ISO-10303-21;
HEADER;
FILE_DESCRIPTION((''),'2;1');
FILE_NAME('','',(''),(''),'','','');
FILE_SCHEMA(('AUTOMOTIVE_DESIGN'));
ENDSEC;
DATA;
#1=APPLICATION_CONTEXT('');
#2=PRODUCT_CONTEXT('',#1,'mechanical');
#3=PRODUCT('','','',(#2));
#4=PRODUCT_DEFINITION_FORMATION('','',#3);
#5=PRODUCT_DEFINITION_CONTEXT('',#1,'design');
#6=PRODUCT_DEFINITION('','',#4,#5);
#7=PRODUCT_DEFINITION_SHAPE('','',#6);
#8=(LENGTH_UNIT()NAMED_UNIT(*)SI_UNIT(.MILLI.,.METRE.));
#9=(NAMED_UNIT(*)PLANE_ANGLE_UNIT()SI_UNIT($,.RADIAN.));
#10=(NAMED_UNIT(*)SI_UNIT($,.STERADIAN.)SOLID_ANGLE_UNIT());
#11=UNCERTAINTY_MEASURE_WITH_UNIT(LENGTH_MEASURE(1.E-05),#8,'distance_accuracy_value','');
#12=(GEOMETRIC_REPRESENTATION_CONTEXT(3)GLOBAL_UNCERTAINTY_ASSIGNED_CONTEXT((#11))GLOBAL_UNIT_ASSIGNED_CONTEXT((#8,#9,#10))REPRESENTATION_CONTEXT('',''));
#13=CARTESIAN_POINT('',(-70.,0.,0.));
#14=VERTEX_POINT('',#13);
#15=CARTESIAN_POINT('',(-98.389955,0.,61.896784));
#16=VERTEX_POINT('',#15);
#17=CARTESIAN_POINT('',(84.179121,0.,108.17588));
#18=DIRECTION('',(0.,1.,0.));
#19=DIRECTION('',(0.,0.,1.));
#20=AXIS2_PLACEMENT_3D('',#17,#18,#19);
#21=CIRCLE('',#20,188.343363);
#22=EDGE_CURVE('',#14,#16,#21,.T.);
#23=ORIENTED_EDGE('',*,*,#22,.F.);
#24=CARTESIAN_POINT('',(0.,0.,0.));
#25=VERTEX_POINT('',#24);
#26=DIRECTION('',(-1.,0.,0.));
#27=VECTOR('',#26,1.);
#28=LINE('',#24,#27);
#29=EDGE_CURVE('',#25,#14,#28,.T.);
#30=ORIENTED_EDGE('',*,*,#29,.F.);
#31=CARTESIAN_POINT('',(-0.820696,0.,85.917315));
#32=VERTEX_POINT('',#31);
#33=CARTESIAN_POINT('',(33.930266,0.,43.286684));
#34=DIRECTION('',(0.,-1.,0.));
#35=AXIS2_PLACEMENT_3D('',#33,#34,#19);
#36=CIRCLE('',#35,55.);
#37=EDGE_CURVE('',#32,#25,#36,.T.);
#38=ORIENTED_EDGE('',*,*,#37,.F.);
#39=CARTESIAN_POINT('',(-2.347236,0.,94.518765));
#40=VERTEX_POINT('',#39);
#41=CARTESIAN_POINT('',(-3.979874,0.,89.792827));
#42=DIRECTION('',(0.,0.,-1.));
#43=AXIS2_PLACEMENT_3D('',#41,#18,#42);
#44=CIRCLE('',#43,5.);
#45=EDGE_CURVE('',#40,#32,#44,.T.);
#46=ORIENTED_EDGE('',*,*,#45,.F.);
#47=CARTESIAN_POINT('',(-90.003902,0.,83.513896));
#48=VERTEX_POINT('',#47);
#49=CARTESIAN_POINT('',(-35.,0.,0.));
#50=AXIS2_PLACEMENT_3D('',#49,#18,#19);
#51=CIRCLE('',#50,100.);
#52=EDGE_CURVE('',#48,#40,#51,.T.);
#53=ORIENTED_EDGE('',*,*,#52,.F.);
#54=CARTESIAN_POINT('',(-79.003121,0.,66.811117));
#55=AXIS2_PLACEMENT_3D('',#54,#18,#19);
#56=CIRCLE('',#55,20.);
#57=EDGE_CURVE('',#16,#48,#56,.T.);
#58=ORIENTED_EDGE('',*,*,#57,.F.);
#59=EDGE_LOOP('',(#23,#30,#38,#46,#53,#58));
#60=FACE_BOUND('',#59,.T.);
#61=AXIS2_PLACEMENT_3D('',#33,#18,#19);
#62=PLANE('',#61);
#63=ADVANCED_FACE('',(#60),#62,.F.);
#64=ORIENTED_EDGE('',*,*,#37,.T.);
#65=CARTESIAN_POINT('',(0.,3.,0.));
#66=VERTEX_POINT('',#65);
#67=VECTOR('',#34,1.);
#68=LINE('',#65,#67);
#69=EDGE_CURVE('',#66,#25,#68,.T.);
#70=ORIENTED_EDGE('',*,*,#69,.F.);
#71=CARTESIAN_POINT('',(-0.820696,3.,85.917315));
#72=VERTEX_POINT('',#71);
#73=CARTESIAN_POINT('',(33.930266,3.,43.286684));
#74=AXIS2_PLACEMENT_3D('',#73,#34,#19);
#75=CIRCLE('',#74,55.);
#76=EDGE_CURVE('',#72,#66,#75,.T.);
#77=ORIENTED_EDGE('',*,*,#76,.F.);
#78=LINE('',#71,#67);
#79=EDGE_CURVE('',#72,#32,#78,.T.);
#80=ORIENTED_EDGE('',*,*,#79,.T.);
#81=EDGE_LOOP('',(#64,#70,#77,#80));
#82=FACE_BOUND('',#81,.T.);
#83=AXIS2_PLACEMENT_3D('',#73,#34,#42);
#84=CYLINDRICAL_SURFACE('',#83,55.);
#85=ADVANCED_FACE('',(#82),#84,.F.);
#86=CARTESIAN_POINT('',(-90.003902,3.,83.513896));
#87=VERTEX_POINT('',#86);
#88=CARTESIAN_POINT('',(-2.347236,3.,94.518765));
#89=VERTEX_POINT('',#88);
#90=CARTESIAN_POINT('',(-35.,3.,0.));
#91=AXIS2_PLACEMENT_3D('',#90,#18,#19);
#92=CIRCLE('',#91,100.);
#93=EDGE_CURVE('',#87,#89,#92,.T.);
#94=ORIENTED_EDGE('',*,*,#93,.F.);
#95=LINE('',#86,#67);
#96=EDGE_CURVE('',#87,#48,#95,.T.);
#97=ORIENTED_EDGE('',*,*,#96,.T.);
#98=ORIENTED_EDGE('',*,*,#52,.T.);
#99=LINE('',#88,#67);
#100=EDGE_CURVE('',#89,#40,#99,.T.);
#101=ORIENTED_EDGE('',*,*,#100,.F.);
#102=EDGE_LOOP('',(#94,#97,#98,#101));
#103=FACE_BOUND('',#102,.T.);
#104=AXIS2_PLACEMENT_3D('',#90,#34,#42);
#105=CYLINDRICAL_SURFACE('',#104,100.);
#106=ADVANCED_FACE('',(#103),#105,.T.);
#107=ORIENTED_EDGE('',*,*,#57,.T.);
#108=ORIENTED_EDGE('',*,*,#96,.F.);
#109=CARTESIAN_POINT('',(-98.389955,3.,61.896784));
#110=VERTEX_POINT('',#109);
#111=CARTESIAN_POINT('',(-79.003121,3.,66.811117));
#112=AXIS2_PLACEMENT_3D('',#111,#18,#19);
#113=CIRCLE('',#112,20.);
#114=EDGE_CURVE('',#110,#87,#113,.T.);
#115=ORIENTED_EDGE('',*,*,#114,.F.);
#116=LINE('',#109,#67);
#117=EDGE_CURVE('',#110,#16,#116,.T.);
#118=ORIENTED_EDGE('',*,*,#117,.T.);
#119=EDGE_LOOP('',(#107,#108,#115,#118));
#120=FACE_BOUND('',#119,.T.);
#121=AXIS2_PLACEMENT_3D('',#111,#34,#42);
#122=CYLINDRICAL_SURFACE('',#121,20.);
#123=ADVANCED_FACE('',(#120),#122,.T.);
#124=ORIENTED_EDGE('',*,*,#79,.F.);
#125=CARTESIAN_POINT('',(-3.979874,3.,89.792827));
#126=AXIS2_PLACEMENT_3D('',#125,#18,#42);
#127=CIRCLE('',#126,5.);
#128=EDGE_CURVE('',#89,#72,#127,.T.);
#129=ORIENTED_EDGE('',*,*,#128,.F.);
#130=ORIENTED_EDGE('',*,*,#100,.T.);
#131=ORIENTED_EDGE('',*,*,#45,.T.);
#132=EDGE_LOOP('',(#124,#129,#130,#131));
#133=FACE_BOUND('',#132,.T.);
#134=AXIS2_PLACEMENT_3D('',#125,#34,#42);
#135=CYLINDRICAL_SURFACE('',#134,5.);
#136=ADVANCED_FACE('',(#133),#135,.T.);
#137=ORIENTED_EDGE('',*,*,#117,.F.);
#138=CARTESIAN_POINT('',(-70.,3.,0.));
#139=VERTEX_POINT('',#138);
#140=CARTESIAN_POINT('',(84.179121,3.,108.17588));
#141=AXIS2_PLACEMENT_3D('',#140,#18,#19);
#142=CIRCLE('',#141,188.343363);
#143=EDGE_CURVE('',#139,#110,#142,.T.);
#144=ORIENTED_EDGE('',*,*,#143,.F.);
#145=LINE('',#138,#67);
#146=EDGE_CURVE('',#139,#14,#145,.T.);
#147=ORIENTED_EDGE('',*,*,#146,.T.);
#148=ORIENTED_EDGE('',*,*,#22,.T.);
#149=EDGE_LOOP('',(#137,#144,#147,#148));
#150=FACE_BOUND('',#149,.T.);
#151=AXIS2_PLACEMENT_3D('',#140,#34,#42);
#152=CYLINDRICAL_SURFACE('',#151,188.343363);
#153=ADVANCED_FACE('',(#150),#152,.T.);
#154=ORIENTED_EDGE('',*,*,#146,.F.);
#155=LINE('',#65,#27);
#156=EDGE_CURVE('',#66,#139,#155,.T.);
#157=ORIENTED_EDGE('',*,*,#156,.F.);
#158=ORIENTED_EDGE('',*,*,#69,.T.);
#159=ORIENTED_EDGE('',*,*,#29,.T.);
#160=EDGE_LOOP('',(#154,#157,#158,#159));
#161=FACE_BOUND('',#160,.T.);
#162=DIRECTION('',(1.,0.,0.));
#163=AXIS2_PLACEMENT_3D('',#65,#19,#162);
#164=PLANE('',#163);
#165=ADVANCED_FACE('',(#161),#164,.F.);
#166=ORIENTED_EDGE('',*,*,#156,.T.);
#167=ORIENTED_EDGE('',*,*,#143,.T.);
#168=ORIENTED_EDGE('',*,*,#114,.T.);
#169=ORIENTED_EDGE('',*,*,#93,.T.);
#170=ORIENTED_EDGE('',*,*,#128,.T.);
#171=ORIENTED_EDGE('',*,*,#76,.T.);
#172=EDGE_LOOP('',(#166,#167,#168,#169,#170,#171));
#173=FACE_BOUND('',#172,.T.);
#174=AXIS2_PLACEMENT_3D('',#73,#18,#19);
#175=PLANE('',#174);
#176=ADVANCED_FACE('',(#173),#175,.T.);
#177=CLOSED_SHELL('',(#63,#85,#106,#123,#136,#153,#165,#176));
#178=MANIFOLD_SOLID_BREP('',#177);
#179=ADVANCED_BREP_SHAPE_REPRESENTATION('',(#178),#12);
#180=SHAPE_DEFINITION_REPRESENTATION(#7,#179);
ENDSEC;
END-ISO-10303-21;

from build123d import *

# Parameters (mm, degrees)
BOSS_EXTRUDE1_DEPTH = 3


with BuildPart() as part:
    # Sketch2 → Boss-Extrude1 (new body)
    with BuildSketch(Plane(origin=(0, 0, 0), x_dir=(-1, 0, 0), z_dir=(0, 1, 0))):
        with BuildLine():
            Line((0, 0), (70, 0))
            ThreePointArc((70, 0), (87.015622115, 29.654658201), (98.389955297, 61.896784273))
            ThreePointArc((98.389955297, 61.896784273), (97.649210784, 74.044604409), (90.003901507, 83.513895964))
            ThreePointArc((90.003901507, 83.513895964), (47.456729901, 99.2211161), (2.347235642, 94.518765226))
            ThreePointArc((2.347235642, 94.518765226), (-0.943195566, 90.666547418), (0.820695537, 85.917315086))
            ThreePointArc((0.820695537, 85.917315086), (21.067224953, 42.761339844), (0, 0))
        make_face()
    extrude(amount=BOSS_EXTRUDE1_DEPTH)


solid = part.part
